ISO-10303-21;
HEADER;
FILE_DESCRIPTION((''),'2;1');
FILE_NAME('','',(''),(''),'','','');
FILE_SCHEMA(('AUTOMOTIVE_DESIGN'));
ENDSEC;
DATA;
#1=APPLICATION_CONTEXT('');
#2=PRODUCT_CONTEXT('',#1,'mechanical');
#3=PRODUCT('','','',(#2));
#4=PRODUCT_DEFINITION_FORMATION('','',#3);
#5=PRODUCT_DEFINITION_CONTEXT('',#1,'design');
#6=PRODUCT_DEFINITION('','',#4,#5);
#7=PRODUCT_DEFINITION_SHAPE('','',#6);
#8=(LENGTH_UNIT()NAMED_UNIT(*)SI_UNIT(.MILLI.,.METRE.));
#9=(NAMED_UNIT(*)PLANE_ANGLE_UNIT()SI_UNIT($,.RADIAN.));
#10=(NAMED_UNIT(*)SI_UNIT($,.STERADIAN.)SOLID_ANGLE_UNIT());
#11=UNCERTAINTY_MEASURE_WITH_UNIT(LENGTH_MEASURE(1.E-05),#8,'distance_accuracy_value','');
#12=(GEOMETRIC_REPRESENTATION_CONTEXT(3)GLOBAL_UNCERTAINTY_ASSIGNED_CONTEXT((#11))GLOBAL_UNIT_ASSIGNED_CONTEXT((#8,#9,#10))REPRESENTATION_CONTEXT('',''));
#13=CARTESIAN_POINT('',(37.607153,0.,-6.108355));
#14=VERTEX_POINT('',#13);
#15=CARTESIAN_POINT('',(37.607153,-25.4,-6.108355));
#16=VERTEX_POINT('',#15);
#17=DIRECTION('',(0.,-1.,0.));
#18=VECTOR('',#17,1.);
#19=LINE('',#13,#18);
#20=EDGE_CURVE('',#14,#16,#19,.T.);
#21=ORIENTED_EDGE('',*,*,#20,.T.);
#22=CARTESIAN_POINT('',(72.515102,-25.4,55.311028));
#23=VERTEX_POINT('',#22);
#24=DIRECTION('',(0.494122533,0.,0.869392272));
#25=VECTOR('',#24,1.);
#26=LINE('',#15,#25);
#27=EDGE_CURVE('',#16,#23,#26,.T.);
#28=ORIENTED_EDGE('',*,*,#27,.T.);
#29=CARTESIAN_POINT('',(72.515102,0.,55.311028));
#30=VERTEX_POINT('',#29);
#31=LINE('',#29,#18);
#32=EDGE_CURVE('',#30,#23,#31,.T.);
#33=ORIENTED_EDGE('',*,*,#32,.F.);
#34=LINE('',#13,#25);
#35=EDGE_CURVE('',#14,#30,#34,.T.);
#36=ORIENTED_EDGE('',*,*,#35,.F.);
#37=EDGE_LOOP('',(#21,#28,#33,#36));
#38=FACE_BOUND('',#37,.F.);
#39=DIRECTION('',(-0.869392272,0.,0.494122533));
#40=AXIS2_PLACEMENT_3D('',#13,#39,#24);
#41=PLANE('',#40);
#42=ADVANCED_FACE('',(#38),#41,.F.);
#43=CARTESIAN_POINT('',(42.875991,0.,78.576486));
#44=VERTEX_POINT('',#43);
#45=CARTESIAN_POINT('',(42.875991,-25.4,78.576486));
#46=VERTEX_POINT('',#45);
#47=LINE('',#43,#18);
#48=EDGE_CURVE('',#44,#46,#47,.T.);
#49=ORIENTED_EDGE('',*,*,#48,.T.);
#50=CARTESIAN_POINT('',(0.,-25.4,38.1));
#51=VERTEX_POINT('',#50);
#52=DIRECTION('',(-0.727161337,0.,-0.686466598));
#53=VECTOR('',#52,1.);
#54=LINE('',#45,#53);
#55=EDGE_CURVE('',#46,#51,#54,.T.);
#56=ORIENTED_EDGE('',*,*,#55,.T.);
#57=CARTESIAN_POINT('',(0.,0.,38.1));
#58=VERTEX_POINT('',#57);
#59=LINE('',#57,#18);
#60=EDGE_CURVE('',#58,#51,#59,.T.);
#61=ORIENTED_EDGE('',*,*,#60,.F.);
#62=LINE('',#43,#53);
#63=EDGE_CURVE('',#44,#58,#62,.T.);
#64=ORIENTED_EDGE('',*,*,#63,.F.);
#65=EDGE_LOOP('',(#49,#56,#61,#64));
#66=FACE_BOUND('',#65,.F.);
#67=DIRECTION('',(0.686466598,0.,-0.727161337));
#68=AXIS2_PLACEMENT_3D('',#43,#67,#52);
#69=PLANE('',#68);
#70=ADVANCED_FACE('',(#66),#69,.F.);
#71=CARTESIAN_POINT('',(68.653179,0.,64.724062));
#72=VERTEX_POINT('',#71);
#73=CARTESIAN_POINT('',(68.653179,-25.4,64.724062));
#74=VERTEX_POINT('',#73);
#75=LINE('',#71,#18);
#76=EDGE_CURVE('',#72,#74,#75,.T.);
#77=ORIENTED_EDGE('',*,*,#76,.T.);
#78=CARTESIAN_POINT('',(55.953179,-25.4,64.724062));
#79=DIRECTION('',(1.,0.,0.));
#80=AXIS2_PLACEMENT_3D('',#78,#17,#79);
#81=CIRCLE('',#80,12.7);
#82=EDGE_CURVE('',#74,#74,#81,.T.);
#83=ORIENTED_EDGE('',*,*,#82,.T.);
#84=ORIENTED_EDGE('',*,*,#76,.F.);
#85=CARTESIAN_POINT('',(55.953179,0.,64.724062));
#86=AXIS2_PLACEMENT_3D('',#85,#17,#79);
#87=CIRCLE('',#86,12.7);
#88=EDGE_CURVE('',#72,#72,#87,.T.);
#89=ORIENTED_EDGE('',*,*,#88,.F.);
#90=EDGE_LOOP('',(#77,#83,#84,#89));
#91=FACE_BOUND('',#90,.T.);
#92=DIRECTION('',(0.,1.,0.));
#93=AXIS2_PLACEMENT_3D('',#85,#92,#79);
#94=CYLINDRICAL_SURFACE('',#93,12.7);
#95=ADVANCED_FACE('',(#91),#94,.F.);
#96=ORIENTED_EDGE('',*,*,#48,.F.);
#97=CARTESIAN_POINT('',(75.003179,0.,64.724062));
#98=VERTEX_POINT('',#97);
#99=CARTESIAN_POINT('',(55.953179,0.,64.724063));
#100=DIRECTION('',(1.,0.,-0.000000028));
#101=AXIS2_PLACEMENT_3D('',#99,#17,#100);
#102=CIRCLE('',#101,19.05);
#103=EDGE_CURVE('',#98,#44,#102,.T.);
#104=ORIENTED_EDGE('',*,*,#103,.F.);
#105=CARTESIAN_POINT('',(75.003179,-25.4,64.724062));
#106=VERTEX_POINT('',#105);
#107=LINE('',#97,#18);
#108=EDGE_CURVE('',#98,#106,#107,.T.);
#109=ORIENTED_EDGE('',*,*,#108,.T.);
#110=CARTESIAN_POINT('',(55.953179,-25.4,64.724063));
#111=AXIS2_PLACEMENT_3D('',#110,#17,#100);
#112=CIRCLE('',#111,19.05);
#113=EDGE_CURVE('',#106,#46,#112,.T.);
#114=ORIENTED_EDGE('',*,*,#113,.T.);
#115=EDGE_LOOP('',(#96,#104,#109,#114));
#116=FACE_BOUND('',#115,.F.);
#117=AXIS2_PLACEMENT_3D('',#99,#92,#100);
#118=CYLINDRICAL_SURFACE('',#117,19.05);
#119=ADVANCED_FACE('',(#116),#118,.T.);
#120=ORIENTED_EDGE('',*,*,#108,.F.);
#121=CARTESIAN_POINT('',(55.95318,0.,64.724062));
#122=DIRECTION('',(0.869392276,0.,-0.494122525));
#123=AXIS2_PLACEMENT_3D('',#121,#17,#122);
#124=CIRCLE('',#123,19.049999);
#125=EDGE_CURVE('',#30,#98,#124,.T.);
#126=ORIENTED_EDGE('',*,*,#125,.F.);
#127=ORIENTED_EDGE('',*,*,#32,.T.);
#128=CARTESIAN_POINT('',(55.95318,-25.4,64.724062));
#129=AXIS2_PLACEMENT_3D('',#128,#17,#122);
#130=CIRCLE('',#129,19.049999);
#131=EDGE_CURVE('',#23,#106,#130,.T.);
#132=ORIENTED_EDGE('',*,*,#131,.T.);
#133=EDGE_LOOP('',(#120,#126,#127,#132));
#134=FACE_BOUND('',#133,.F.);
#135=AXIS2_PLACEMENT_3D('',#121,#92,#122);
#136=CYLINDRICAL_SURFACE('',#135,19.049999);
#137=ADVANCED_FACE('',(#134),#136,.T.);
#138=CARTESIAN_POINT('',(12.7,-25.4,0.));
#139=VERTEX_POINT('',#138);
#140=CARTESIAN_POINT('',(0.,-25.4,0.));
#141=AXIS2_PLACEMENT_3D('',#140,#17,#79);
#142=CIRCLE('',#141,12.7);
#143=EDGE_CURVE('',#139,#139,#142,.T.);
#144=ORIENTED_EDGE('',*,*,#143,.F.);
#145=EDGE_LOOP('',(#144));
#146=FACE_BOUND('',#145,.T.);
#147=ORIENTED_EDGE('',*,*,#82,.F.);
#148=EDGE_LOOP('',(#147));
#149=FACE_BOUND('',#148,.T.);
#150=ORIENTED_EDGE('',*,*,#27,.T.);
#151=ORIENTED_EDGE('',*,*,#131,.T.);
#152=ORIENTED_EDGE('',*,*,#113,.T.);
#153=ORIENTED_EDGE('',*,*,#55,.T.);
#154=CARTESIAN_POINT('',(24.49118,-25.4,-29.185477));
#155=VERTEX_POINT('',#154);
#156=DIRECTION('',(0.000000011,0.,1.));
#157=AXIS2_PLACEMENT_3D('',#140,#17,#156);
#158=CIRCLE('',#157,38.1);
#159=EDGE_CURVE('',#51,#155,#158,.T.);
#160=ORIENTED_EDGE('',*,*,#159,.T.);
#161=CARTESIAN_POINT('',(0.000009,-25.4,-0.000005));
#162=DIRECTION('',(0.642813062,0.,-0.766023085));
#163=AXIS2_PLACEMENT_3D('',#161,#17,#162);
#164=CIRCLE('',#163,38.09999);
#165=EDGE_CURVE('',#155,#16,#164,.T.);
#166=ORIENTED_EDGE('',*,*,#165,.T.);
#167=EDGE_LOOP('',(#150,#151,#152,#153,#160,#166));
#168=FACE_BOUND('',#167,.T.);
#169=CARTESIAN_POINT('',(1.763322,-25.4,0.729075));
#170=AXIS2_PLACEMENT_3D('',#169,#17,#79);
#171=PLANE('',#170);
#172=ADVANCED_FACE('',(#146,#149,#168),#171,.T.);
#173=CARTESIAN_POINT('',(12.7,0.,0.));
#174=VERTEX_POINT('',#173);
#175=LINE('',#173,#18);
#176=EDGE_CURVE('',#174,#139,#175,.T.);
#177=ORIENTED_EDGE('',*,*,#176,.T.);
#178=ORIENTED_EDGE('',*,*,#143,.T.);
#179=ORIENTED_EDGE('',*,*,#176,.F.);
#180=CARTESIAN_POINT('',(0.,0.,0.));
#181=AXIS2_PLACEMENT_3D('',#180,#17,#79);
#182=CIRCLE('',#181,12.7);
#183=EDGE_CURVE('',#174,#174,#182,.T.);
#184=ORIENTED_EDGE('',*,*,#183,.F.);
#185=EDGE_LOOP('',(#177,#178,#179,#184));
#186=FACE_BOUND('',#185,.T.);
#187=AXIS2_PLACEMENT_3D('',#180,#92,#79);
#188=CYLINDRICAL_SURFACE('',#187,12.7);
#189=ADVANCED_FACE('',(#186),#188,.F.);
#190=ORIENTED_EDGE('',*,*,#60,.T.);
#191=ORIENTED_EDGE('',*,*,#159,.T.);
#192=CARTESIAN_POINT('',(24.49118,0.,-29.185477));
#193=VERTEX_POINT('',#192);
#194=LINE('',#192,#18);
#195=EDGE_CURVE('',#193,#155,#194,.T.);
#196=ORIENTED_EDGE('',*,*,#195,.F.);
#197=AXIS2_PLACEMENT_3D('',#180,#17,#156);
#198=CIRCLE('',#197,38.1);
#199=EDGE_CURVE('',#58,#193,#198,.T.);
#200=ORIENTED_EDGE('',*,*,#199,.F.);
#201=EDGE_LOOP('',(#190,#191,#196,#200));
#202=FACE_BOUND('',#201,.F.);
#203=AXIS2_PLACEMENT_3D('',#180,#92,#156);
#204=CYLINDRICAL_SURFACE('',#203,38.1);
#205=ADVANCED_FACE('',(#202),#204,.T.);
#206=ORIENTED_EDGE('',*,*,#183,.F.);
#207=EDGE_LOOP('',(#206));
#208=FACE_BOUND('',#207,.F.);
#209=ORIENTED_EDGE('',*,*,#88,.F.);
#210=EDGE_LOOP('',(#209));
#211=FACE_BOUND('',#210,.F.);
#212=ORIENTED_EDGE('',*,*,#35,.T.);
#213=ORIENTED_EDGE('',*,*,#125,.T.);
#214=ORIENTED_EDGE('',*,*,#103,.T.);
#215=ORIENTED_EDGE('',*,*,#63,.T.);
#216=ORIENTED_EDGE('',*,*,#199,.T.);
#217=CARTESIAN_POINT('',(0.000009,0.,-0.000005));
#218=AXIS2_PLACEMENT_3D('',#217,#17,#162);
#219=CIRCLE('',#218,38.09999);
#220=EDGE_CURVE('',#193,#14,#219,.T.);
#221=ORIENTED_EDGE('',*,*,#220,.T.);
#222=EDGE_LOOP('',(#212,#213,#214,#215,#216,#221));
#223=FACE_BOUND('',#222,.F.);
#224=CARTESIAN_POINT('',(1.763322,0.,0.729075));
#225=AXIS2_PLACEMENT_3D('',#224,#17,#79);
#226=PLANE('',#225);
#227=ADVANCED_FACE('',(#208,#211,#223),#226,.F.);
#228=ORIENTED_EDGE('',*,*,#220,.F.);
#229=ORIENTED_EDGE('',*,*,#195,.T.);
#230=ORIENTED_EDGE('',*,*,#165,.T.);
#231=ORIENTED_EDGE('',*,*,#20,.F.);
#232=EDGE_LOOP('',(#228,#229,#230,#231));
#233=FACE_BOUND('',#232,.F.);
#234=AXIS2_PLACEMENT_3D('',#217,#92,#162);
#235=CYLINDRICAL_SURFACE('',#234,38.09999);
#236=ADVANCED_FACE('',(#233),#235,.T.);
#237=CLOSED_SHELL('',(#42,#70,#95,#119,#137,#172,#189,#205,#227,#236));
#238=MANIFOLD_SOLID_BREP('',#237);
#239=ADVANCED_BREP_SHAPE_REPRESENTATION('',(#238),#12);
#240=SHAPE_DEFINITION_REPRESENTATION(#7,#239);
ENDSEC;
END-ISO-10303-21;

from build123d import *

# Parameters (mm, degrees)
F0_R     = 12.7
F1_DEPTH = 25.4


with BuildPart() as f1:
    # F0 (on Front) → F1 (new body)
    with BuildSketch(Plane.XZ):
        with BuildLine():
            ThreePointArc((37.607153, -6.108355), (37.976588, -3.064103), (38.1, 0))
            ThreePointArc((38.1, 0), (26.940768, 26.940768), (0, 38.1))
            ThreePointArc((0, 38.1), (-35.802072, -13.031564), (24.49118, -29.185477))
            Line((24.49118, -29.185477), (37.607153, -6.108355))
        make_face()
        Circle(F0_R, mode=Mode.SUBTRACT)
        with BuildLine():
            ThreePointArc((0, 38.1), (26.940768, 26.940768), (38.1, 0))
            ThreePointArc((38.1, 0), (37.976588, -3.064103), (37.607153, -6.108355))
            Line((37.607153, -6.108355), (72.515102, 55.311028))
            ThreePointArc((72.515102, 55.311028), (65.534173, 48.258733), (55.953582, 45.674062))
            Line((55.953582, 45.674062), (55.952777, 45.674062))
            ThreePointArc((55.952777, 45.674062), (38.250123, 57.688134), (42.875991, 78.576486))
            Line((42.875991, 78.576486), (0, 38.1))
        make_face()
        with BuildLine():
            ThreePointArc((24.49118, -29.185477), (33.123846, -18.826068), (37.607153, -6.108355))
            Line((37.607153, -6.108355), (24.49118, -29.185477))
        make_face()
        with BuildLine():
            ThreePointArc((75.003179, 64.724062), (63.495793, 82.217246), (42.875991, 78.576486))
            ThreePointArc((42.875991, 78.576486), (38.250123, 57.688134), (55.952777, 45.674062))
            Line((55.952777, 45.674062), (55.953582, 45.674062))
            ThreePointArc((55.953582, 45.674062), (65.534173, 48.258733), (72.515102, 55.311028))
            ThreePointArc((72.515102, 55.311028), (74.370659, 59.855907), (75.003179, 64.724062))
        make_face()
        with Locations((55.953179, 64.724062)):
            Circle(F0_R, mode=Mode.SUBTRACT)
    extrude(amount=F1_DEPTH)


solid = f1.part
